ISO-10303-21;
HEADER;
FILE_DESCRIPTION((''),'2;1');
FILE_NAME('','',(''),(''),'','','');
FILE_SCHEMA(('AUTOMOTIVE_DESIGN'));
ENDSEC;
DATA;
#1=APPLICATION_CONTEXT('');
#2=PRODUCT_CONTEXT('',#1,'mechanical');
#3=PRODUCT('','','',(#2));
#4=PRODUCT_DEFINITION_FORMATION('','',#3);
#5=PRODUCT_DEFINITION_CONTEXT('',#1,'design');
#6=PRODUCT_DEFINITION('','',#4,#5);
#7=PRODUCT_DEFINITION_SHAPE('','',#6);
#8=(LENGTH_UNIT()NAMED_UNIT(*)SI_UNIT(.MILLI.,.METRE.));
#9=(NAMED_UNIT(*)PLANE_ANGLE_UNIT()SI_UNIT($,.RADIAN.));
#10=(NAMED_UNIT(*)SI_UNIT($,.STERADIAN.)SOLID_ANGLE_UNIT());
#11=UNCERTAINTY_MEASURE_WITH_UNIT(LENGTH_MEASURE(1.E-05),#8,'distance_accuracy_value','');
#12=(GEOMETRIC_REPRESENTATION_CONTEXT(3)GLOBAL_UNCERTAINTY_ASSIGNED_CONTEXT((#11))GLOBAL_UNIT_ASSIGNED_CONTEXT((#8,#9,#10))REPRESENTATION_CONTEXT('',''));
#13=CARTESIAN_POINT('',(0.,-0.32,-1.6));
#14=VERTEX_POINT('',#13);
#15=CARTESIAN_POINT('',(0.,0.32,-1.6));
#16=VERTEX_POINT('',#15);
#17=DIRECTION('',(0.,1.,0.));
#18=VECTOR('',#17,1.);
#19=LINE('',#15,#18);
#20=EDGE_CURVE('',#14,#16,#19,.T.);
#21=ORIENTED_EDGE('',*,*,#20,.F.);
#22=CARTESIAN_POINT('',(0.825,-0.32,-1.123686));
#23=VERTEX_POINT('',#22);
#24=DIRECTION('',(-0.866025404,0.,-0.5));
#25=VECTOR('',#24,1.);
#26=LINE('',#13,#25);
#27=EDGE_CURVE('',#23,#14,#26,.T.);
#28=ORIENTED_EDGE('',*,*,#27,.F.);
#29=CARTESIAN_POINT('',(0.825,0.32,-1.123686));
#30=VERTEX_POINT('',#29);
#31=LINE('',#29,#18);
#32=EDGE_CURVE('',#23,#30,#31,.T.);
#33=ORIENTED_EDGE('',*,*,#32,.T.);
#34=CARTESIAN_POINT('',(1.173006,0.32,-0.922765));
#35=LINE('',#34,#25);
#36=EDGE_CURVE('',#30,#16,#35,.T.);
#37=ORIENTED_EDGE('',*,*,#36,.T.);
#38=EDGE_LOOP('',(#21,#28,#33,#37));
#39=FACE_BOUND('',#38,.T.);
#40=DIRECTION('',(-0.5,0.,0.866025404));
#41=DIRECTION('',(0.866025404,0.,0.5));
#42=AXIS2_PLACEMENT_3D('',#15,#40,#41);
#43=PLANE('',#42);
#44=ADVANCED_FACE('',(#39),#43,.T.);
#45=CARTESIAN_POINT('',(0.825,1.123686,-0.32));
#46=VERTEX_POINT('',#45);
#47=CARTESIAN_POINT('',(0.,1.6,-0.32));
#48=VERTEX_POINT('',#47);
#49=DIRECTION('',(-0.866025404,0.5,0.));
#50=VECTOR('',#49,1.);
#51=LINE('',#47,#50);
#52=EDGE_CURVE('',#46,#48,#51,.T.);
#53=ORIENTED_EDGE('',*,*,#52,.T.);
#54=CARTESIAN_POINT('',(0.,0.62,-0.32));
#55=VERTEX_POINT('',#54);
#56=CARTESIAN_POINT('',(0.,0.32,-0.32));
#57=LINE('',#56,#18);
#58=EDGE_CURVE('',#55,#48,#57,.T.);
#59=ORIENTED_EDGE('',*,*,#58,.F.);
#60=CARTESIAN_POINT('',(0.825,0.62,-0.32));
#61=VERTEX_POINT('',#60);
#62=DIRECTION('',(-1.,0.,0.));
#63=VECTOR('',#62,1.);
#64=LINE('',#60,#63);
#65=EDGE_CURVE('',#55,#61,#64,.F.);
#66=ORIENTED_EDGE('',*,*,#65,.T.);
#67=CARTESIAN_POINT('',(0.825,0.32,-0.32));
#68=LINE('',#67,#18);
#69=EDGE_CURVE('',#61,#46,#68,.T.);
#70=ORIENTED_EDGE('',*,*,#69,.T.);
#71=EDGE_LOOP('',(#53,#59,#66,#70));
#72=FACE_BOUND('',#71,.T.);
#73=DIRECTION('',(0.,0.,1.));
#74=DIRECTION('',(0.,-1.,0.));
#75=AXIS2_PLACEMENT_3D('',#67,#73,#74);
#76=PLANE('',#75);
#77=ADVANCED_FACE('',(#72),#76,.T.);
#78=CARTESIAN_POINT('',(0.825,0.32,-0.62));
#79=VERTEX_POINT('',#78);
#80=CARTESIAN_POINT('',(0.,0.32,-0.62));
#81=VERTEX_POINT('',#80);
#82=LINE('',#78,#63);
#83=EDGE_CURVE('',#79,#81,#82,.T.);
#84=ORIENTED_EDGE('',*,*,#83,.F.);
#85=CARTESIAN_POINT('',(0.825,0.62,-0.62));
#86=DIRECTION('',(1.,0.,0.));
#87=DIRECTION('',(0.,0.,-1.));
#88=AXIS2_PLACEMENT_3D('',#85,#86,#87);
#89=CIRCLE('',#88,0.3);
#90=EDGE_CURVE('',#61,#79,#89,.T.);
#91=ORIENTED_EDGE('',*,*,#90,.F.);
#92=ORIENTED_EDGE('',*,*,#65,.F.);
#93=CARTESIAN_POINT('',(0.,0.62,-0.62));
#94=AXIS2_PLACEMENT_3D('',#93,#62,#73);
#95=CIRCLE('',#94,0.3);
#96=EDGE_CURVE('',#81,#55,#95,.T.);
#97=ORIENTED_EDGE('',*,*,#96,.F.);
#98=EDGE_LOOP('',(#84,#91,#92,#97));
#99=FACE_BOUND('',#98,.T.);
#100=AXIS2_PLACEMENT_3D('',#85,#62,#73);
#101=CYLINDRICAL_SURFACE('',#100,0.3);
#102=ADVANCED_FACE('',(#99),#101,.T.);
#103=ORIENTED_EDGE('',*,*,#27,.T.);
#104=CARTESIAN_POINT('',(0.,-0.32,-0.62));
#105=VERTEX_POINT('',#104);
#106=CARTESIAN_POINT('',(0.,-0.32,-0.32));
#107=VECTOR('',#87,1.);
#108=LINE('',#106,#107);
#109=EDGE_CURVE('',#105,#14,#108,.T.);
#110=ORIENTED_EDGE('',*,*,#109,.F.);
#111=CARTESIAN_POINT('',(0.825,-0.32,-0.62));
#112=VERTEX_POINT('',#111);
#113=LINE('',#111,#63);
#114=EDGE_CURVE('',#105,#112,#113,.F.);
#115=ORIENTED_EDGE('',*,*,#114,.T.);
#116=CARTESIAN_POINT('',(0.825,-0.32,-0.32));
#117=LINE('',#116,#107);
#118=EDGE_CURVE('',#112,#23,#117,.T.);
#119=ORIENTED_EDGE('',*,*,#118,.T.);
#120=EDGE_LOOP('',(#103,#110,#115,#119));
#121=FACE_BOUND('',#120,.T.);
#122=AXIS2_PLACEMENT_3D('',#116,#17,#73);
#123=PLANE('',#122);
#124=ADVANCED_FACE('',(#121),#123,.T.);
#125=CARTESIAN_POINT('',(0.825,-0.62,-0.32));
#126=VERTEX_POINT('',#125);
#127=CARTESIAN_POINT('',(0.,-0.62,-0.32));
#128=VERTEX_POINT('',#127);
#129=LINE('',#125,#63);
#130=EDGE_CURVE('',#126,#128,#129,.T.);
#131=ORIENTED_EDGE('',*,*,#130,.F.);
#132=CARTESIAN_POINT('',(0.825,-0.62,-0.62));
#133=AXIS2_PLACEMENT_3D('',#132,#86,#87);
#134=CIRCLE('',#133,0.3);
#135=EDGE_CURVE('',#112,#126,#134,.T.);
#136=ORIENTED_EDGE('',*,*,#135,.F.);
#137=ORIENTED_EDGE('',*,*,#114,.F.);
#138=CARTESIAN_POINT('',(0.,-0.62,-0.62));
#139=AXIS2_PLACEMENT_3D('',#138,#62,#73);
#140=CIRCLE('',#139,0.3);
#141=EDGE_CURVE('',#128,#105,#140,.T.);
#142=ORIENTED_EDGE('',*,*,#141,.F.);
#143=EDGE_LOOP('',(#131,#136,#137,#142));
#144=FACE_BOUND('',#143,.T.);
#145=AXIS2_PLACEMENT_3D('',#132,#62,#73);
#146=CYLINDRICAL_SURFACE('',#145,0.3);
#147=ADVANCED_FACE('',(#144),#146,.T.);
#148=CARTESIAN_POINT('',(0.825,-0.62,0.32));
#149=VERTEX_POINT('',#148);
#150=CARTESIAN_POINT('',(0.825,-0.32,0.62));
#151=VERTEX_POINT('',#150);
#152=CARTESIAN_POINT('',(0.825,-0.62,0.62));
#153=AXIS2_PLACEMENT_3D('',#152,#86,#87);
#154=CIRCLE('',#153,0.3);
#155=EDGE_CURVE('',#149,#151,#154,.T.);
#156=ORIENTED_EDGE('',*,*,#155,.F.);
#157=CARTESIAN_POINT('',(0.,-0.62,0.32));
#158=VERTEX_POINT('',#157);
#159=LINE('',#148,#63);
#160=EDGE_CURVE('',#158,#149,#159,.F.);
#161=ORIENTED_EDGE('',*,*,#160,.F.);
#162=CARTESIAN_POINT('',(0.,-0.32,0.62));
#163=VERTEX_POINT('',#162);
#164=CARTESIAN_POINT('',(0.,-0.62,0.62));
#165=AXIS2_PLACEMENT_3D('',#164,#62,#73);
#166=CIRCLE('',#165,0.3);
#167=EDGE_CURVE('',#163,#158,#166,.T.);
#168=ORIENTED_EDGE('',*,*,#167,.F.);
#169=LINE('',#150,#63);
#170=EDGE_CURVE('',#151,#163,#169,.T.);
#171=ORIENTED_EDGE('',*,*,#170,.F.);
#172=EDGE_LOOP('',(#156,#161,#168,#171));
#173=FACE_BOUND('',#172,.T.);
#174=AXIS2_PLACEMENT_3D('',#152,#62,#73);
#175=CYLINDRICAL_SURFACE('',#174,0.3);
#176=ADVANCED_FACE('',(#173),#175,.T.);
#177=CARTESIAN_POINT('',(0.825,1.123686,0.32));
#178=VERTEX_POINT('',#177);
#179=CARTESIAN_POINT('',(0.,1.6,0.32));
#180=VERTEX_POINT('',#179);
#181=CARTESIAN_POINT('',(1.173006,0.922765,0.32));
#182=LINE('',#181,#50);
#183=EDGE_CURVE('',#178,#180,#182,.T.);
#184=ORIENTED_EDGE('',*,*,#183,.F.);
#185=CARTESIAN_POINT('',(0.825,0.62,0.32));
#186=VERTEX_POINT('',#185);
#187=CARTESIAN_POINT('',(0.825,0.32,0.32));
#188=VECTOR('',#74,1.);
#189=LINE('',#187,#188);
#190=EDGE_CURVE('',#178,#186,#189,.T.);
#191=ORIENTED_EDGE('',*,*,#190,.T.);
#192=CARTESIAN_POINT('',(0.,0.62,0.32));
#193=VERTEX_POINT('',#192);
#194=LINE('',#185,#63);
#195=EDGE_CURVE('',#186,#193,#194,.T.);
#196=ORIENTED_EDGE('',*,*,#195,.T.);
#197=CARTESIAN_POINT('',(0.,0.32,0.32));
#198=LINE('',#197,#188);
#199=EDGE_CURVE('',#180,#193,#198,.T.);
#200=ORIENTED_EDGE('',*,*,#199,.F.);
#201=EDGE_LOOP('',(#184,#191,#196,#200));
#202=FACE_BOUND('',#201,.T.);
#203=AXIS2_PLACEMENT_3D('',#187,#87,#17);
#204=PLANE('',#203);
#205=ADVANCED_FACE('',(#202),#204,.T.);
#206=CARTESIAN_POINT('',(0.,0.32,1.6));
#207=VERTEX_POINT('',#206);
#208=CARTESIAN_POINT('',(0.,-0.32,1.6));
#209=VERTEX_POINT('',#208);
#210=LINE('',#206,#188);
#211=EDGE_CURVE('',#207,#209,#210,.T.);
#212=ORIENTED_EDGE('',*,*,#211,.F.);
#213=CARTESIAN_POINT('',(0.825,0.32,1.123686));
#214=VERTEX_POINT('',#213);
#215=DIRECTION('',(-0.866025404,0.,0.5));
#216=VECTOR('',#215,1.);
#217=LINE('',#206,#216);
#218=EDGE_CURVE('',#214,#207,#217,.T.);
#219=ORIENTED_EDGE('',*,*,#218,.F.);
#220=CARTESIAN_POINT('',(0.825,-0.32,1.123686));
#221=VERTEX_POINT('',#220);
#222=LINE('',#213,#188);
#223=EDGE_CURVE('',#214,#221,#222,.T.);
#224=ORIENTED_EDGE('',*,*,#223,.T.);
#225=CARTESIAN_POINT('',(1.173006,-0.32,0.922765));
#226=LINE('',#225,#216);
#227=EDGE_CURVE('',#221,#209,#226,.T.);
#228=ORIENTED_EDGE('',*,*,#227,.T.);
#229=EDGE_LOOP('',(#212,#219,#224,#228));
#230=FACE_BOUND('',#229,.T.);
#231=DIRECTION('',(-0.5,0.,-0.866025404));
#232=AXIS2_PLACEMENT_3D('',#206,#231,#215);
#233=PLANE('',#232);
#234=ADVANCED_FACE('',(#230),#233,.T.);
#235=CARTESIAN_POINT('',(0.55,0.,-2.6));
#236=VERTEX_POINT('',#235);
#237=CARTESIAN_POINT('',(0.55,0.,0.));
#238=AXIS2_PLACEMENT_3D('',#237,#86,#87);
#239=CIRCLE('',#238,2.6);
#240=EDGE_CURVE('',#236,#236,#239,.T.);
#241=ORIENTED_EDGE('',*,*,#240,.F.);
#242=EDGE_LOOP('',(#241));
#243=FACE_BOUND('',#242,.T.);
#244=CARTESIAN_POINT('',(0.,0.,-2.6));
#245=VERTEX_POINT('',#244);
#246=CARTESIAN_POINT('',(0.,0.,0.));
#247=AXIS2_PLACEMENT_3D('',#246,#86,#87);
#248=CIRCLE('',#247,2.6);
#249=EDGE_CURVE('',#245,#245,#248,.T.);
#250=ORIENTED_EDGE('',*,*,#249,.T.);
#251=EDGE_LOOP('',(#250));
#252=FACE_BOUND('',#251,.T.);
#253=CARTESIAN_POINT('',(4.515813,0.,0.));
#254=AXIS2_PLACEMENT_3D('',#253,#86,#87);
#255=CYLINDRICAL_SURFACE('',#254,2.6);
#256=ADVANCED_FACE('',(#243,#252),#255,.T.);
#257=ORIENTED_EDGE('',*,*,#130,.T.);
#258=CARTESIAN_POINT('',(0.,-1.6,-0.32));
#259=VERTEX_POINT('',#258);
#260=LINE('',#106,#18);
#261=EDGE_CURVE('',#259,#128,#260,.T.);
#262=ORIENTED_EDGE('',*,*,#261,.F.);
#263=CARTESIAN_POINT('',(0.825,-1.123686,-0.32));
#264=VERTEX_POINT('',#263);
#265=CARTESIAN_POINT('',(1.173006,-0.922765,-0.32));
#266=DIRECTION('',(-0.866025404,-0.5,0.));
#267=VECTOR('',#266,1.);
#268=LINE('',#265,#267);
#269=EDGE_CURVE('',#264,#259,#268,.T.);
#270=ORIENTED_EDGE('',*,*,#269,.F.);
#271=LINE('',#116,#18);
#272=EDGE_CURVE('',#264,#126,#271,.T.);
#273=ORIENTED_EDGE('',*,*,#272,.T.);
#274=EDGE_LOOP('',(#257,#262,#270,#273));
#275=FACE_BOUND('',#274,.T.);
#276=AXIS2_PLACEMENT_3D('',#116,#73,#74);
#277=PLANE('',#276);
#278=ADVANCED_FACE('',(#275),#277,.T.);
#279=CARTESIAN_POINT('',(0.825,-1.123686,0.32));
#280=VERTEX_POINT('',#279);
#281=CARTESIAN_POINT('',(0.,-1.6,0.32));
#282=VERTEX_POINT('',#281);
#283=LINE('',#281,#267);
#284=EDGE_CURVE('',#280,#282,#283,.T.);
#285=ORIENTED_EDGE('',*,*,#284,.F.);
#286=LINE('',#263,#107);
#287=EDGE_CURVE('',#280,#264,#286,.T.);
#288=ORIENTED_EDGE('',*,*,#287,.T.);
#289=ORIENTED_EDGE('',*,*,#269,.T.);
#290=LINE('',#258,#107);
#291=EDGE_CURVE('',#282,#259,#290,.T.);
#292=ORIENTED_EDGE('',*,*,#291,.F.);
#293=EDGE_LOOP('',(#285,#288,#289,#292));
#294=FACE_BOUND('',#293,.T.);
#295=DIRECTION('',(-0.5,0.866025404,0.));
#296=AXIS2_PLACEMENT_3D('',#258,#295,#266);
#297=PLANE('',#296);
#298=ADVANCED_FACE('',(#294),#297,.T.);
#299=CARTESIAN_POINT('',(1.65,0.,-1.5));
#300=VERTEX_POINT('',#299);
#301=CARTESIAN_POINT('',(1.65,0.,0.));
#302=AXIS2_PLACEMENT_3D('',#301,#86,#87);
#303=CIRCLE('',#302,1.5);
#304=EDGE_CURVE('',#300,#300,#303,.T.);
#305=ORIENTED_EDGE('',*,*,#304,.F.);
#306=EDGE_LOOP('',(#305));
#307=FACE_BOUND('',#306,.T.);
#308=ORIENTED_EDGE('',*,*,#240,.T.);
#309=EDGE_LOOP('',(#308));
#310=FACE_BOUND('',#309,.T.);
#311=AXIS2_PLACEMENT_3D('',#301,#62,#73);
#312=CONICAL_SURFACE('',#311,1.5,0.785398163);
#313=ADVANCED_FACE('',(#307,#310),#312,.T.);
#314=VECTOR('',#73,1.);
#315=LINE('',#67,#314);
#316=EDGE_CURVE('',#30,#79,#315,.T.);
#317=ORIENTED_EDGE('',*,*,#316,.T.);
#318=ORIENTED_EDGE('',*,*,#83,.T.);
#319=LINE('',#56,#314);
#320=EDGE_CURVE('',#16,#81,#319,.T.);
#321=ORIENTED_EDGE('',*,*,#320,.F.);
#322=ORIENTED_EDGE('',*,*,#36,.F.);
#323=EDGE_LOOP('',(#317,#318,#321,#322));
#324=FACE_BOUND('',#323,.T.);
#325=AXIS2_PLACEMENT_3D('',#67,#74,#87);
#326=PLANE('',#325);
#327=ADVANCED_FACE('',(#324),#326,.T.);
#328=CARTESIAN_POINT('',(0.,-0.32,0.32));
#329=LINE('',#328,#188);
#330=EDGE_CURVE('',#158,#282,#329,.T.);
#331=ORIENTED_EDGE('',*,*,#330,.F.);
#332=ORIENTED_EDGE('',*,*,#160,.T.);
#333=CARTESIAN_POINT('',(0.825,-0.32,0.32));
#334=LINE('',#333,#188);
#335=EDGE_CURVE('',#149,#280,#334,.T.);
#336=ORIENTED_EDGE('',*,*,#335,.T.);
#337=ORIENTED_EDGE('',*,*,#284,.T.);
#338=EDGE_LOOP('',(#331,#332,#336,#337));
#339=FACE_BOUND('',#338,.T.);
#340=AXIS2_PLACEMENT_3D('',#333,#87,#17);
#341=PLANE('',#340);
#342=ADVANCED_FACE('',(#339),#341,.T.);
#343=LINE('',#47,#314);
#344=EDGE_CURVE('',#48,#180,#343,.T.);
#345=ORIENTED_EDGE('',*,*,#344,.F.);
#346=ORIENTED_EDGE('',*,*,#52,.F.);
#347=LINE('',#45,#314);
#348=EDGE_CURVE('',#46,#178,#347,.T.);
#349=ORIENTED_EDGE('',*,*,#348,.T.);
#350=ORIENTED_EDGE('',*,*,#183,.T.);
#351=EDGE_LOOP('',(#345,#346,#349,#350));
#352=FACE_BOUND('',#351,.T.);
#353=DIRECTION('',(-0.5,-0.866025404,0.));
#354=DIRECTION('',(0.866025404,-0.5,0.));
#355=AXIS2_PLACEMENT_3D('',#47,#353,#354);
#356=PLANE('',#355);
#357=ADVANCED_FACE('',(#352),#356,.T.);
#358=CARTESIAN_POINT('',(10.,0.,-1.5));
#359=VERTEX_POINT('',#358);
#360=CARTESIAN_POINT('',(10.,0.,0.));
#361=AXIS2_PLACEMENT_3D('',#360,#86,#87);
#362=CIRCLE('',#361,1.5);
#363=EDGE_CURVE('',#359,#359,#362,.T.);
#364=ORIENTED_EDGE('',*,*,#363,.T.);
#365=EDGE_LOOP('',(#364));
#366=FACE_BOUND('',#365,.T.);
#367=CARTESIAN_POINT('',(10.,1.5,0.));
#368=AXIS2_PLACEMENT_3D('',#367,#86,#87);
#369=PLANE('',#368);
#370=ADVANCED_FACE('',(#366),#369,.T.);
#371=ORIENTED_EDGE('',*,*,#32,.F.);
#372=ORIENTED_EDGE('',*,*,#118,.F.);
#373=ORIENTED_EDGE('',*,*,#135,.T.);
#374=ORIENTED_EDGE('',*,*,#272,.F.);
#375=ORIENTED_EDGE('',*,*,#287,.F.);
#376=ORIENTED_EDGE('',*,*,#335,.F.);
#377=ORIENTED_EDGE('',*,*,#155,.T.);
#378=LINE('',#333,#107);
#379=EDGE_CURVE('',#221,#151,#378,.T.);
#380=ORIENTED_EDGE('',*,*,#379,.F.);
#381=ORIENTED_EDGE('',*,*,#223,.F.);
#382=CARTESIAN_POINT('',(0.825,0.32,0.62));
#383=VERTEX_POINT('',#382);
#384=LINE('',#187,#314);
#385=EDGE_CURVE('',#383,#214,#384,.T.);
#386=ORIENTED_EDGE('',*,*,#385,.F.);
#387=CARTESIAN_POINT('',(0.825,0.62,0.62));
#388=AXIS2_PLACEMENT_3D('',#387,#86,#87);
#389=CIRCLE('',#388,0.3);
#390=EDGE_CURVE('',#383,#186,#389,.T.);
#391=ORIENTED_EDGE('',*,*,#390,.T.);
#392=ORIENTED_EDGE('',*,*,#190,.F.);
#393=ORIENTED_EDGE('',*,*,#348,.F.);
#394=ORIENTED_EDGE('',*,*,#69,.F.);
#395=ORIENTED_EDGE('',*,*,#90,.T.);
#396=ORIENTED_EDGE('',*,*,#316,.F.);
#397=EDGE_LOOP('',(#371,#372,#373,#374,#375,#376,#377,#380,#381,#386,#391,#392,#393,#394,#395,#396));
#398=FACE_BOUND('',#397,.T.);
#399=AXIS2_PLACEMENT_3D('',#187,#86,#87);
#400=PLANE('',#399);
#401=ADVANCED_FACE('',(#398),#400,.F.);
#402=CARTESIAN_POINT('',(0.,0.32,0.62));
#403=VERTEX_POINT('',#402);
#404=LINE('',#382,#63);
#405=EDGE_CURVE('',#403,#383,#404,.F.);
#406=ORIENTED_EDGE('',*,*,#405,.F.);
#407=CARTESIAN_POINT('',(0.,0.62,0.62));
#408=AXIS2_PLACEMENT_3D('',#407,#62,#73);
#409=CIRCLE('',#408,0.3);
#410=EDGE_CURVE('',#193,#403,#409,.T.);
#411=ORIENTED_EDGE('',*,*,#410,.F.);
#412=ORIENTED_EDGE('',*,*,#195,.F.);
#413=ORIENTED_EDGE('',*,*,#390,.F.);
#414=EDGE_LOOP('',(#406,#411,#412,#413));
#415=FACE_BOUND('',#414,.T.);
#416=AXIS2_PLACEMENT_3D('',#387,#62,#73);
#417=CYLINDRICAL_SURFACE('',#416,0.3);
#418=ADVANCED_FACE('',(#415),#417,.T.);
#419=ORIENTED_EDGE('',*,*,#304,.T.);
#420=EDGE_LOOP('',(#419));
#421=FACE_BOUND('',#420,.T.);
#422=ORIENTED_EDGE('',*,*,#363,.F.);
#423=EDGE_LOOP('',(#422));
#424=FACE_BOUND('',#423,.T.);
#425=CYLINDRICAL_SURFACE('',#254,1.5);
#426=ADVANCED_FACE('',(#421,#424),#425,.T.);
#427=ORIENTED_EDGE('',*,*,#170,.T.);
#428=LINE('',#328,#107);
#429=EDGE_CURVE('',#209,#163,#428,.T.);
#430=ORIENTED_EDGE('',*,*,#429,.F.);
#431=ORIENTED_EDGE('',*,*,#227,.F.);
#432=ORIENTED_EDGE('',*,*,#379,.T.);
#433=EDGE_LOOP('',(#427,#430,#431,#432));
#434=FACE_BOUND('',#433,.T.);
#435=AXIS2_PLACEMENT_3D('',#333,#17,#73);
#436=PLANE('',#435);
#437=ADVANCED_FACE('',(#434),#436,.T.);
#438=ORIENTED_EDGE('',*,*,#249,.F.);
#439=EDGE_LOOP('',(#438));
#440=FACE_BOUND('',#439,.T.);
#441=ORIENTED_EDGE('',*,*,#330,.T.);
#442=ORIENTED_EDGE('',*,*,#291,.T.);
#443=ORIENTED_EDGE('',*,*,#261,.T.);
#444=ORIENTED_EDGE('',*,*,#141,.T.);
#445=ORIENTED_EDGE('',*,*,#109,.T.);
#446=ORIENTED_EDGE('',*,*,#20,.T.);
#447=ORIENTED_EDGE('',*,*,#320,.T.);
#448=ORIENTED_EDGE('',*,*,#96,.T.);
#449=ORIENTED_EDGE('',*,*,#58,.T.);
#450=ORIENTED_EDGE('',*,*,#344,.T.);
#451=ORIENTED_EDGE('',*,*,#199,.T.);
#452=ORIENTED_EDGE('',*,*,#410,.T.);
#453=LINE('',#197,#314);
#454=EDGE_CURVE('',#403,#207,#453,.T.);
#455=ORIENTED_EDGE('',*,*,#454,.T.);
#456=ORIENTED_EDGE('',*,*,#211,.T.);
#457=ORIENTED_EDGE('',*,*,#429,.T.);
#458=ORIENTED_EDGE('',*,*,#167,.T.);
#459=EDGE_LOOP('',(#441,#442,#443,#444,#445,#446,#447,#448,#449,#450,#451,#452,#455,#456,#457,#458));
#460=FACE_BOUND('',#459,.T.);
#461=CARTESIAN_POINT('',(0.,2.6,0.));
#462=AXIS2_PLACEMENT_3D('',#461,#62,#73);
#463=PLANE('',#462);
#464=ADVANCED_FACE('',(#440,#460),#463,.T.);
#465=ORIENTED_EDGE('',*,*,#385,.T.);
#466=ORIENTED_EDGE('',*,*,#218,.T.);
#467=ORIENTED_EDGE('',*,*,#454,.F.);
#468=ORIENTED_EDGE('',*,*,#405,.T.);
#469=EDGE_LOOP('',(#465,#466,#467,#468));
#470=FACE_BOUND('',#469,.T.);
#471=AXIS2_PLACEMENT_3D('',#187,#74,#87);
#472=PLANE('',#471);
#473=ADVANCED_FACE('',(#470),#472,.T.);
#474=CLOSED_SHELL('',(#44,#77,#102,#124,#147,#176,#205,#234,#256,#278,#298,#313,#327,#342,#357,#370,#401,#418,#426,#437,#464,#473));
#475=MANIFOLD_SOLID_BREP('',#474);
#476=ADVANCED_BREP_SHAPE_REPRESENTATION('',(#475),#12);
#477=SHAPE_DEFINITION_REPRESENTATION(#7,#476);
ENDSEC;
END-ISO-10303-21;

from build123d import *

# Parameters (mm, degrees)
CROSSRECESS_DEPTH = 0.825
DRAFT9_ANGLE      = 30
FILLET5_R         = 0.3


with BuildPart() as part:
    # Sketch1 → Base (revolve)
    with BuildSketch(Plane.XY):
        Polygon((10, 1.5), (2.65, 1.5), (1.65, 1.5), (0.55, 2.6), (0, 2.6), (0, 0), (10, 0), align=None)
    revolve(axis=Axis((4.515812911, 0, 0), (-1, 0, 0)))

    # Sketch6 → CrossRecess (cut)
    with BuildSketch(Plane(origin=(0, 0, 0), x_dir=(0, 0, -1), z_dir=(1, 0, 0))):
        Polygon((0.32, 0.32), (0.32, 1.6), (-0.32, 1.6), (-0.32, 0.32), (-1.6, 0.32), (-1.6, -0.32), (-0.32, -0.32), (-0.32, -1.6), (0.32, -1.6), (0.32, -0.32), (1.6, -0.32), (1.6, 0.32), align=None)
    extrude(amount=CROSSRECESS_DEPTH, mode=Mode.SUBTRACT)

    # Draft9
    draft9_faces = [part.faces().sort_by_distance(p)[0] for p in [
        (0.4125, 1.6, 0),
        (0.4125, 0, 1.6),
        (0.4125, -1.6, 0),
        (0.4125, 0, -1.6),
    ]]
    draft(draft9_faces, Plane(origin=(0, 2.6, 0), x_dir=(0, 0, -1), z_dir=(-1, 0, 0)), DRAFT9_ANGLE)

    # Fillet5
    fillet5_edges = [part.edges().sort_by_distance(p)[0] for p in [
        (0.4125, 0.32, 0.32),
        (0.4125, -0.32, 0.32),
        (0.4125, -0.32, -0.32),
        (0.4125, 0.32, -0.32),
    ]]
    fillet(fillet5_edges, radius=FILLET5_R)


solid = part.part
